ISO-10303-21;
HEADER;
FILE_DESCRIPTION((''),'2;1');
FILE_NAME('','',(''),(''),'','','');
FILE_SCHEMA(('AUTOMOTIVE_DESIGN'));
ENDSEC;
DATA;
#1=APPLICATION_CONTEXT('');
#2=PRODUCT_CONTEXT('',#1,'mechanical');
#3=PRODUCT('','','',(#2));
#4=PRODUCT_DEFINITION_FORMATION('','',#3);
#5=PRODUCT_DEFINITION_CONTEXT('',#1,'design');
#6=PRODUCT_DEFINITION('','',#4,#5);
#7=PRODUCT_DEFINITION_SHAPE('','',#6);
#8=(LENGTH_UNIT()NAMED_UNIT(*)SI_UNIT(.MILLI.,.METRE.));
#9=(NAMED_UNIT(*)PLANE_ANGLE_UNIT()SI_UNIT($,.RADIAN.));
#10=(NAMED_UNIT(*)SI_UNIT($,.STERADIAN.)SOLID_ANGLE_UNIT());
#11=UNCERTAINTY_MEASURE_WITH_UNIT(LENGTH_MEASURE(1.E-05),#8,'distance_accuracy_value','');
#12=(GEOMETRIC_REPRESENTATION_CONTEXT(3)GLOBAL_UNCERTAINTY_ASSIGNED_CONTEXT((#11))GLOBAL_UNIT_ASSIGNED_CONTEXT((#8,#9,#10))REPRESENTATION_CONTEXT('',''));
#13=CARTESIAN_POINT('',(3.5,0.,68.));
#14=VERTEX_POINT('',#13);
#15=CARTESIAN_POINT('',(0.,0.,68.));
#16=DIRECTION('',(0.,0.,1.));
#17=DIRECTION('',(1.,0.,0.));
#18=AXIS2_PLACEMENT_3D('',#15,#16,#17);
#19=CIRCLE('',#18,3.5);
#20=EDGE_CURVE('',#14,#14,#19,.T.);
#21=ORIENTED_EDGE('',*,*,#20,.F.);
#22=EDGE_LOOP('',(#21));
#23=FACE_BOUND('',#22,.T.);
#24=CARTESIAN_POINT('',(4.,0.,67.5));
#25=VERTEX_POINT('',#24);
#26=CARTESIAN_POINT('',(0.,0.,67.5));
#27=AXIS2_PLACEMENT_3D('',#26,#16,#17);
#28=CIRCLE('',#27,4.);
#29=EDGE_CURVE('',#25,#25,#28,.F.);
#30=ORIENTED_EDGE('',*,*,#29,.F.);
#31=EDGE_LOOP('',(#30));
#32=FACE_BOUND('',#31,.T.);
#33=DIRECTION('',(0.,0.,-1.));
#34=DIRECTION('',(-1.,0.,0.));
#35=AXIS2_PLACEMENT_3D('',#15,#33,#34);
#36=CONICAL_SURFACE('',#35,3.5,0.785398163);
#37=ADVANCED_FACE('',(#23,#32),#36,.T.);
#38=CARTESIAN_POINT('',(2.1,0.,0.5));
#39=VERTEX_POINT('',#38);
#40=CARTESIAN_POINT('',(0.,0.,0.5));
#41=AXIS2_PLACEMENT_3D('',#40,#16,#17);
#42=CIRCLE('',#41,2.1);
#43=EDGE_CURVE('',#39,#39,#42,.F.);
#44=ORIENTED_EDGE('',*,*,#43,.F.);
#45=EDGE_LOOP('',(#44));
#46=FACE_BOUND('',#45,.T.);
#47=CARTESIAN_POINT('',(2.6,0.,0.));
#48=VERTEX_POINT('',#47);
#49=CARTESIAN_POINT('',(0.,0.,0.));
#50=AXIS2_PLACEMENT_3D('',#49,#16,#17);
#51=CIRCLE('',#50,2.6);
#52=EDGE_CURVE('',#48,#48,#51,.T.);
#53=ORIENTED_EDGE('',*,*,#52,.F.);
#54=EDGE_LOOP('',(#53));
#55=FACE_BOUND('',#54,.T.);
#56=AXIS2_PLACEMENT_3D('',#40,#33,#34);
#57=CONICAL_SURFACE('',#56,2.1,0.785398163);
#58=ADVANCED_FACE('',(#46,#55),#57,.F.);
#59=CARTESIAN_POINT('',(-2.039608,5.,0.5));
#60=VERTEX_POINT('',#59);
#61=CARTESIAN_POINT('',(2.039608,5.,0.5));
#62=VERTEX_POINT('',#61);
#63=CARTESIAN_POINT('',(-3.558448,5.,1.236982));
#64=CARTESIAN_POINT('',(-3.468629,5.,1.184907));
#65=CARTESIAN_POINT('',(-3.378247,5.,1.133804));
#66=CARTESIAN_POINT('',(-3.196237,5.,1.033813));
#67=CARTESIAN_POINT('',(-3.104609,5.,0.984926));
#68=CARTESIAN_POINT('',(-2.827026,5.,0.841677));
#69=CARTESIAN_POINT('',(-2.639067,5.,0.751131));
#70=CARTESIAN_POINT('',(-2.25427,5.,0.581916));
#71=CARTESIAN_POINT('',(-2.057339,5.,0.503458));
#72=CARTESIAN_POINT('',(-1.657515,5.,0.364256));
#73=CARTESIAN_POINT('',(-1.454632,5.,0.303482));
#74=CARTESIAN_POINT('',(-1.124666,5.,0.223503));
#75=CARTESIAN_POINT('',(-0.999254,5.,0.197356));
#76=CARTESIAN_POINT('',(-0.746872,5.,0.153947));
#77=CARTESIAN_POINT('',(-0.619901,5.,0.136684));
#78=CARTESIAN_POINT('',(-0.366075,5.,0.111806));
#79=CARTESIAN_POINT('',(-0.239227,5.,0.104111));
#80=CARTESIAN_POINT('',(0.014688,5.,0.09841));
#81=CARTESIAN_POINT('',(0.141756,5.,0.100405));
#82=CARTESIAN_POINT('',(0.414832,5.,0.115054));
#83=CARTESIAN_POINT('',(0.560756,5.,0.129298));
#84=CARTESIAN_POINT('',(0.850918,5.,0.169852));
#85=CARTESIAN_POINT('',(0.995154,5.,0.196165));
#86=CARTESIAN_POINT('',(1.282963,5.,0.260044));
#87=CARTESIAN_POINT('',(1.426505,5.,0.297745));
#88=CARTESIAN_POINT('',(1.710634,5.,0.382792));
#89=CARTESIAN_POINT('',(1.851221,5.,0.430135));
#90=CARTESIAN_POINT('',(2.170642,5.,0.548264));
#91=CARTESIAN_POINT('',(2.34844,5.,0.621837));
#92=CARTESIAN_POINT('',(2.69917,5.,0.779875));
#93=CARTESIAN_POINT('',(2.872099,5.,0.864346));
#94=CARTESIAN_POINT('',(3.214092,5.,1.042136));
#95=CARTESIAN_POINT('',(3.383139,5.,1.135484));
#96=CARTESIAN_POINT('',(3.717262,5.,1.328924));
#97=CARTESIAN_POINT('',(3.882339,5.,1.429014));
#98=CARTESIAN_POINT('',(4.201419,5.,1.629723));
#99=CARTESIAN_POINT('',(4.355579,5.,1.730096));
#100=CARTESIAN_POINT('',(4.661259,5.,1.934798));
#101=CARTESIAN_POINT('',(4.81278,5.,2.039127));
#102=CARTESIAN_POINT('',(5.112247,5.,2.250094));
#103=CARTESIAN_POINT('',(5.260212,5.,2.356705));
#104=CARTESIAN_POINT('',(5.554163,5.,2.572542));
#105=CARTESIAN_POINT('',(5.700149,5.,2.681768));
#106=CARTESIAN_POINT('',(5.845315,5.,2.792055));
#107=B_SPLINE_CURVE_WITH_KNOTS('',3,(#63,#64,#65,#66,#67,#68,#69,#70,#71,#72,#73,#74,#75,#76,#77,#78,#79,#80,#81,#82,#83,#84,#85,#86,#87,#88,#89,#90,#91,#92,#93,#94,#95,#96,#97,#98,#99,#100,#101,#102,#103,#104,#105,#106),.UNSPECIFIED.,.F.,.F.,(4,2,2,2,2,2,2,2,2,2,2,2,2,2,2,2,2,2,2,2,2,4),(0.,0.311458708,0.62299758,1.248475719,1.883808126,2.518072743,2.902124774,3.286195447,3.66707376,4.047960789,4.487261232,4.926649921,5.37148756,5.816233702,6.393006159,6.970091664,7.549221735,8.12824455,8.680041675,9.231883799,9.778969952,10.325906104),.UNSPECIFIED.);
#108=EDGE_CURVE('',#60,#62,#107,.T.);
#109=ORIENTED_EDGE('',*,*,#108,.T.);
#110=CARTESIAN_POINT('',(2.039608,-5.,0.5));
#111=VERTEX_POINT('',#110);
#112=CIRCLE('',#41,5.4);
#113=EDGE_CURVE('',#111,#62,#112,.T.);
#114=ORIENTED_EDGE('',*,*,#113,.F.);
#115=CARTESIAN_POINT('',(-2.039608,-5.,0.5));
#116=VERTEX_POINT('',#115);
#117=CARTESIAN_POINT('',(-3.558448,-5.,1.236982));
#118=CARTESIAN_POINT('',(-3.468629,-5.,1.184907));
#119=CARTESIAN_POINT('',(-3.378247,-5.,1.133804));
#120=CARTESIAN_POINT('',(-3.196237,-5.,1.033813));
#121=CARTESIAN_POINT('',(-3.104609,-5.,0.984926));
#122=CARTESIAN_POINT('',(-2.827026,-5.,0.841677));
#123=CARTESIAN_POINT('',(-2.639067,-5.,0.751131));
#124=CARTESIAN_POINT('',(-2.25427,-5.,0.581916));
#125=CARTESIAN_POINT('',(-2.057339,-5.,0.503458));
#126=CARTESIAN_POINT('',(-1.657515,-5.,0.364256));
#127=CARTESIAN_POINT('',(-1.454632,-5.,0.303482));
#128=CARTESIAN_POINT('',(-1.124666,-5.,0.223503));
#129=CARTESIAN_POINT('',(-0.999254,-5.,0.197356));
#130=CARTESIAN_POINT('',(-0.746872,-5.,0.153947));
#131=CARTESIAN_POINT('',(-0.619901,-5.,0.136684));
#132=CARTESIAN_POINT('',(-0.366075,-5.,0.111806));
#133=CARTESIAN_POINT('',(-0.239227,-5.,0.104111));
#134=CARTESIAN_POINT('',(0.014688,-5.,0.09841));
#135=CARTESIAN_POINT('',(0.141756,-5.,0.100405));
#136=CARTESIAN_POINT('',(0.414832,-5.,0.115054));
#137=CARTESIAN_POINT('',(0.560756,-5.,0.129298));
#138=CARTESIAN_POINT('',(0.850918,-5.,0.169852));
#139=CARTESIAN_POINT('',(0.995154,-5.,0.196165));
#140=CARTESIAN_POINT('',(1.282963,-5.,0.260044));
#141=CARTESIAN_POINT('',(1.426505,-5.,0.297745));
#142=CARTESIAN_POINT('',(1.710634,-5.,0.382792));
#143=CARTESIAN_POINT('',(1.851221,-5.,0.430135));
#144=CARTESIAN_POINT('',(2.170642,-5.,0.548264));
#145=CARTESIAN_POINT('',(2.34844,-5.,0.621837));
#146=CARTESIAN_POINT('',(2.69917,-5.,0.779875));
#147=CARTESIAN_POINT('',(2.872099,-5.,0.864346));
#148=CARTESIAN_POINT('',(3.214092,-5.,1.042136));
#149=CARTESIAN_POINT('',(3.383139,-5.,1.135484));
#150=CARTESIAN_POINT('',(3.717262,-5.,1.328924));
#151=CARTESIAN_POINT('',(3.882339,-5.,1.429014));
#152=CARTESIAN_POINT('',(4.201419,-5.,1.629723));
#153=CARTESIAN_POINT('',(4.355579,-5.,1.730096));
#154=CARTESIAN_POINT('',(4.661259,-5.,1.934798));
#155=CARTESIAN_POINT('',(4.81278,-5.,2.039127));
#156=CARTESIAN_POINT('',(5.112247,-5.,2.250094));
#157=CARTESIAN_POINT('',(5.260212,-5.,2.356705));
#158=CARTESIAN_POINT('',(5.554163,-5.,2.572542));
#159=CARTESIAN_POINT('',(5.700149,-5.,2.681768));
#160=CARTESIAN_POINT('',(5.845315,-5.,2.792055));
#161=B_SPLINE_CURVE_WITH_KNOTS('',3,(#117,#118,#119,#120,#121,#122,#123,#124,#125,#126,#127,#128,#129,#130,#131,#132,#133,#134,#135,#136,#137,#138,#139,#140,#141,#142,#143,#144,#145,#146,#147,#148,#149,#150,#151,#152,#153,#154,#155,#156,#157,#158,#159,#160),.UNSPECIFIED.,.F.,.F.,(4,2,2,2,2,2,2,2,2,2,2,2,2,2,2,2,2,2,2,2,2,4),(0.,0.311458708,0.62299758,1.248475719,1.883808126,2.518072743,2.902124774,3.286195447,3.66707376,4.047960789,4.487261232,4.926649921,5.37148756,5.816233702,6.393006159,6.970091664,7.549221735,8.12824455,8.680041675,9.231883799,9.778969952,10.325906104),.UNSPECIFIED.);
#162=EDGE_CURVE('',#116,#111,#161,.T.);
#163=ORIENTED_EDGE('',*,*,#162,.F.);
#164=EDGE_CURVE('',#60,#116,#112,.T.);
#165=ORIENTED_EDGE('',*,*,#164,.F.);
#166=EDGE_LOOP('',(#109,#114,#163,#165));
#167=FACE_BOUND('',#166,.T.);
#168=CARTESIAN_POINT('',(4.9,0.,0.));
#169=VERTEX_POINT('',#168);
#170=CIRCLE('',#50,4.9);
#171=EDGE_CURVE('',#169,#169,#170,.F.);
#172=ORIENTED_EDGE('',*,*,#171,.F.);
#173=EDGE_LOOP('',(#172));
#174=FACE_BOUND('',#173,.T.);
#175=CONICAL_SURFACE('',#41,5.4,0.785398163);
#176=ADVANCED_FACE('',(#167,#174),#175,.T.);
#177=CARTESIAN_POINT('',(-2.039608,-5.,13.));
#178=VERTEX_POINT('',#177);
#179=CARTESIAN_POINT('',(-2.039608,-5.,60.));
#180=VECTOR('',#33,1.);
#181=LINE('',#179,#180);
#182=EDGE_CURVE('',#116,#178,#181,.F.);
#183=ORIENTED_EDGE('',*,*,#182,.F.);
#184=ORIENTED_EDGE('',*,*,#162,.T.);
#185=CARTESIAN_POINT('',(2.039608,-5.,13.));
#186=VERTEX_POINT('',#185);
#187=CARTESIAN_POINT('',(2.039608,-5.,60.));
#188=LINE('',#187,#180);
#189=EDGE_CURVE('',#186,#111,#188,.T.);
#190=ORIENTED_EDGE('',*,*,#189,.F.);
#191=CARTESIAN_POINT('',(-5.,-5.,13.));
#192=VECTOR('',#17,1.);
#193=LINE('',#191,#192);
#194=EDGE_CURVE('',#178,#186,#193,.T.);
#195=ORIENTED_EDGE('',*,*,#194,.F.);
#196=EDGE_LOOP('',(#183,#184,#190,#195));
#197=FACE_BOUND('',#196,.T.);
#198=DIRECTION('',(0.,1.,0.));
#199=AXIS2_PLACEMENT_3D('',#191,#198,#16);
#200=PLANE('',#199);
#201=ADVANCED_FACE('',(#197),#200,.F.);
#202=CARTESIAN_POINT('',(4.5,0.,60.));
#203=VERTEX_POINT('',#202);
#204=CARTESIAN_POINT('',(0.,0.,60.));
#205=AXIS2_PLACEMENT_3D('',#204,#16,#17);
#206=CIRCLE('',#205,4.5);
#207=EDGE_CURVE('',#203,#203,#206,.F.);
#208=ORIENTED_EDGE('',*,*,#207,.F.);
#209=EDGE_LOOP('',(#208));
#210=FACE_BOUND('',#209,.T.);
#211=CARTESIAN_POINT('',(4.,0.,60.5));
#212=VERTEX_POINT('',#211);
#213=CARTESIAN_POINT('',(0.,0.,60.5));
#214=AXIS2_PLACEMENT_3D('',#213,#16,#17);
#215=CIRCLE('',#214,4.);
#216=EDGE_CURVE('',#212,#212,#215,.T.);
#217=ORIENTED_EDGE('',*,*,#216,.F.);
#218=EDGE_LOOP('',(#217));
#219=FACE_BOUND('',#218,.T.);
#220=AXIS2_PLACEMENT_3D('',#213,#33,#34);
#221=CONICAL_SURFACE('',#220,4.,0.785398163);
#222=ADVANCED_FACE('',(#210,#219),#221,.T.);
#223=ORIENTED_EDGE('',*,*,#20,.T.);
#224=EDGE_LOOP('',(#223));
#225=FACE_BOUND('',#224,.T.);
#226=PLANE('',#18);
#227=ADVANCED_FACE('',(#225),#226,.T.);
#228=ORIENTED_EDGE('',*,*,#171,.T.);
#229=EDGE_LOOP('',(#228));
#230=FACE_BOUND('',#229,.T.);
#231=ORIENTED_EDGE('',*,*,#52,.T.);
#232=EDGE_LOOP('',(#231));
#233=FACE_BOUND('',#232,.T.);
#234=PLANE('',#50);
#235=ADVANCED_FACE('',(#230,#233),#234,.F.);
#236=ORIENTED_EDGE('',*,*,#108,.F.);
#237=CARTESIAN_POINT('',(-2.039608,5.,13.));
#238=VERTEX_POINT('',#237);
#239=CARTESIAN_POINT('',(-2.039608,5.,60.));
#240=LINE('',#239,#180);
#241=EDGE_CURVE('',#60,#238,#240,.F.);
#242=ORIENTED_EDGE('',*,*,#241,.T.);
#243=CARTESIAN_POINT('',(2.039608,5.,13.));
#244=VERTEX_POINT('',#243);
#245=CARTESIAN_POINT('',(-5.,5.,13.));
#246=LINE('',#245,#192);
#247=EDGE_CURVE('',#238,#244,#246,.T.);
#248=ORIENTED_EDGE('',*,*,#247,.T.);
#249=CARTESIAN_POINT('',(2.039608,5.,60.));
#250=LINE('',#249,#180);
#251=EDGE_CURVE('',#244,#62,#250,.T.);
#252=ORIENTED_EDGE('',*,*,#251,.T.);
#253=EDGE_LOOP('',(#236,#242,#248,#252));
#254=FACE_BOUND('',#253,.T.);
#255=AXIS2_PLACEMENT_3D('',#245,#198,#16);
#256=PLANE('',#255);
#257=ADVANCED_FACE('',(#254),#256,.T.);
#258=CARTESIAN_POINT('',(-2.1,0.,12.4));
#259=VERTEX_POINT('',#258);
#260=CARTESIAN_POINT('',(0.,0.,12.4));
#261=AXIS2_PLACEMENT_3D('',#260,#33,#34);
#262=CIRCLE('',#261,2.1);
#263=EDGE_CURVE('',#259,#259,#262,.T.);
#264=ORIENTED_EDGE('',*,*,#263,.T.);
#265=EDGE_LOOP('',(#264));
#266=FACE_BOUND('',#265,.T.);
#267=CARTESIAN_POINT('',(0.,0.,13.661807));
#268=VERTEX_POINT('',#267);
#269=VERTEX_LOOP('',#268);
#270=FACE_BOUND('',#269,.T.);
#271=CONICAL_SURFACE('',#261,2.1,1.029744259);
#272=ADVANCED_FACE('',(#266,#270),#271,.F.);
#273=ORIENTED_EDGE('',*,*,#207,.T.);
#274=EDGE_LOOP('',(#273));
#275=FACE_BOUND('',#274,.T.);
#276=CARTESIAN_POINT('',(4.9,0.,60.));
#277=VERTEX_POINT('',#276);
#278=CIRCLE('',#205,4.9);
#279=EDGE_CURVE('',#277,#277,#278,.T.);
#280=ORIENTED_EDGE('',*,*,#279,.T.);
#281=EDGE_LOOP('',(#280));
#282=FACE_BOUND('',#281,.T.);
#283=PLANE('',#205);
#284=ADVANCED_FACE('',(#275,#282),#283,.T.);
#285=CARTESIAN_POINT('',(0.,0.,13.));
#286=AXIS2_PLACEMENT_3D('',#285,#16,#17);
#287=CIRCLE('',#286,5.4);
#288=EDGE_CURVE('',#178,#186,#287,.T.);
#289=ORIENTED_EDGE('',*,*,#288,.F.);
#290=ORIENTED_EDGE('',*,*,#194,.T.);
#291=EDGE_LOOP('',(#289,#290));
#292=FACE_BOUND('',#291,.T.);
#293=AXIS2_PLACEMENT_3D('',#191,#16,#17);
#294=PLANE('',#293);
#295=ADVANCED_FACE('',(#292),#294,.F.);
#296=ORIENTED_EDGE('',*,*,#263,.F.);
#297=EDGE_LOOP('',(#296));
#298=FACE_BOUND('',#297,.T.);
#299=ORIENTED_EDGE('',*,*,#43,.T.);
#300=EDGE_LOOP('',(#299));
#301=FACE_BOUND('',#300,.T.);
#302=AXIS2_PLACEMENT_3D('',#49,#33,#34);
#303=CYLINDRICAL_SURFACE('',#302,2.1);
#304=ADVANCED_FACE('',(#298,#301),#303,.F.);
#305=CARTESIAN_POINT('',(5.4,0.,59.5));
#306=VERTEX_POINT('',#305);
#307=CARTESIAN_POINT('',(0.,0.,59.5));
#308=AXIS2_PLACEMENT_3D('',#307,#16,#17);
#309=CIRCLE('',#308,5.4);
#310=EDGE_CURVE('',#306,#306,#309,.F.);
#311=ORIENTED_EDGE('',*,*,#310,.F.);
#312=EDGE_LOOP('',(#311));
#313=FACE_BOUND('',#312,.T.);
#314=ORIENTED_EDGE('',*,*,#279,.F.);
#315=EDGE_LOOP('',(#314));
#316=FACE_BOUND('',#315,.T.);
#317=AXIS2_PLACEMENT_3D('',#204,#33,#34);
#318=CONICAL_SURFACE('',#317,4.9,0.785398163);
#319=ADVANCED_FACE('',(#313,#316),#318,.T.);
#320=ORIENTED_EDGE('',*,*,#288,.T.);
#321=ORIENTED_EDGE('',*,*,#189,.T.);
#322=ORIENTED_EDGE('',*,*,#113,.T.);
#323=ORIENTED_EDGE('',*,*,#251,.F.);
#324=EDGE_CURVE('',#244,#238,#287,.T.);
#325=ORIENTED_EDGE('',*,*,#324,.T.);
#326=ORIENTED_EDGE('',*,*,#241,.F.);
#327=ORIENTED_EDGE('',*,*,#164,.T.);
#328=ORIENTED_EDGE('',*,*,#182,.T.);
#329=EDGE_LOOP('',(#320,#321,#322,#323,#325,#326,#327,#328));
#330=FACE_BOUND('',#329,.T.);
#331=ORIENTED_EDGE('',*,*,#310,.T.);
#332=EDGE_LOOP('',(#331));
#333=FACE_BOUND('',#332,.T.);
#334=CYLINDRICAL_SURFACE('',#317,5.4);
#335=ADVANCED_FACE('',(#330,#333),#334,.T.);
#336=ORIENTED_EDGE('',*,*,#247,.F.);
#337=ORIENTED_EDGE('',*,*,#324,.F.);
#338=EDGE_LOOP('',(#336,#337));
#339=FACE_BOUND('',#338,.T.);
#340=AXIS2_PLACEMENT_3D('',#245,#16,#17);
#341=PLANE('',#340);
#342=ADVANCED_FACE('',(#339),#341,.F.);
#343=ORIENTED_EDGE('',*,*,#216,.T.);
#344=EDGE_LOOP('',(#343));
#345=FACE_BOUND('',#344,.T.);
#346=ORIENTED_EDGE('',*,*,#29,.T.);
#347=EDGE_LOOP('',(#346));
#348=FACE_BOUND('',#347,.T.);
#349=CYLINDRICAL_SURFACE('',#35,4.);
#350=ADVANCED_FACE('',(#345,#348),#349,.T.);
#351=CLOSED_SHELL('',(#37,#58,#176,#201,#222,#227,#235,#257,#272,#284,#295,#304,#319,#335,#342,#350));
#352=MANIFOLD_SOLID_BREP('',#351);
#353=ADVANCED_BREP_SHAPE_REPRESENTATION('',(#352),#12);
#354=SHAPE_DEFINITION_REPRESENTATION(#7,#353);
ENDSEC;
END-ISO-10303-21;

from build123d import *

# Parameters (mm, degrees)
SKETCH_1_R             = 5.4
EXTRUDE_1_DEPTH        = 60
CHAMFER_1_SIZE         = 0.5
SKETCH_2_R             = 4
EXTRUDE_2_DEPTH        = 8
CHAMFER_2_SIZE         = 0.5
HOLE_WIZARD_M5_1_D     = 4.2
HOLE_WIZARD_M5_1_DEPTH = 12.4
HOLE_WIZARD_M5_1_TIP   = 1.2618073
CHAMFER_3_SIZE         = 0.5
SKETCH_5_W             = 10
SKETCH_5_H             = 3
CUT_EXTRUDE_3_DEPTH    = 13
CHAMFER_4_SIZE         = 0.5


with BuildPart() as part:
    # 草图1 → 拉伸1 (new body)
    with BuildSketch(Plane.XY):
        Circle(SKETCH_1_R)
    extrude(amount=EXTRUDE_1_DEPTH)

    # 倒角1
    chamfer_1_edges = [part.edges().sort_by_distance(p)[0] for p in [
        (-5.4, 0, 0),
        (-5.4, 0, 60),
    ]]
    chamfer(chamfer_1_edges, length=CHAMFER_1_SIZE)

    # 草图2 → 拉伸2 (add)
    with BuildSketch(Plane.XY.offset(60)):
        Circle(SKETCH_2_R)
    extrude(amount=EXTRUDE_2_DEPTH)

    # 倒角2
    chamfer_2_edges = [part.edges().sort_by_distance(p)[0] for p in [
        (-4, 0, 68),
    ]]
    chamfer(chamfer_2_edges, length=CHAMFER_2_SIZE)

    # M5 螺纹孔1
    with Locations(Plane(origin=(0, 0, 0), x_dir=(-1, 0, 0), z_dir=(0, 0, -1))):
        with Locations((0, 0)):
            Hole(HOLE_WIZARD_M5_1_D / 2, depth=HOLE_WIZARD_M5_1_DEPTH)
            with Locations((0, 0, -(HOLE_WIZARD_M5_1_DEPTH + HOLE_WIZARD_M5_1_TIP / 2))):  # 118° drill point
                Cone(0, HOLE_WIZARD_M5_1_D / 2, HOLE_WIZARD_M5_1_TIP, mode=Mode.SUBTRACT)

    # 倒角3
    chamfer_3_edges = [part.edges().sort_by_distance(p)[0] for p in [
        (-2.1, 0, 0),
    ]]
    chamfer(chamfer_3_edges, length=CHAMFER_3_SIZE)

    # 草图5 → 拉伸3 (cut)
    with BuildSketch(Plane.XY):
        with Locations((0, 6.5)):
            Rectangle(SKETCH_5_W, SKETCH_5_H)
    cut_extrude_3 = extrude(amount=CUT_EXTRUDE_3_DEPTH, mode=Mode.SUBTRACT)

    # 镜向1: 拉伸3 across plane
    add(cut_extrude_3.mirror(Plane.ZX), mode=Mode.SUBTRACT)

    # 倒角4
    chamfer_4_edges = [part.edges().sort_by_distance(p)[0] for p in [
        (-4, 0, 60),
    ]]
    chamfer(chamfer_4_edges, length=CHAMFER_4_SIZE)


solid = part.part
